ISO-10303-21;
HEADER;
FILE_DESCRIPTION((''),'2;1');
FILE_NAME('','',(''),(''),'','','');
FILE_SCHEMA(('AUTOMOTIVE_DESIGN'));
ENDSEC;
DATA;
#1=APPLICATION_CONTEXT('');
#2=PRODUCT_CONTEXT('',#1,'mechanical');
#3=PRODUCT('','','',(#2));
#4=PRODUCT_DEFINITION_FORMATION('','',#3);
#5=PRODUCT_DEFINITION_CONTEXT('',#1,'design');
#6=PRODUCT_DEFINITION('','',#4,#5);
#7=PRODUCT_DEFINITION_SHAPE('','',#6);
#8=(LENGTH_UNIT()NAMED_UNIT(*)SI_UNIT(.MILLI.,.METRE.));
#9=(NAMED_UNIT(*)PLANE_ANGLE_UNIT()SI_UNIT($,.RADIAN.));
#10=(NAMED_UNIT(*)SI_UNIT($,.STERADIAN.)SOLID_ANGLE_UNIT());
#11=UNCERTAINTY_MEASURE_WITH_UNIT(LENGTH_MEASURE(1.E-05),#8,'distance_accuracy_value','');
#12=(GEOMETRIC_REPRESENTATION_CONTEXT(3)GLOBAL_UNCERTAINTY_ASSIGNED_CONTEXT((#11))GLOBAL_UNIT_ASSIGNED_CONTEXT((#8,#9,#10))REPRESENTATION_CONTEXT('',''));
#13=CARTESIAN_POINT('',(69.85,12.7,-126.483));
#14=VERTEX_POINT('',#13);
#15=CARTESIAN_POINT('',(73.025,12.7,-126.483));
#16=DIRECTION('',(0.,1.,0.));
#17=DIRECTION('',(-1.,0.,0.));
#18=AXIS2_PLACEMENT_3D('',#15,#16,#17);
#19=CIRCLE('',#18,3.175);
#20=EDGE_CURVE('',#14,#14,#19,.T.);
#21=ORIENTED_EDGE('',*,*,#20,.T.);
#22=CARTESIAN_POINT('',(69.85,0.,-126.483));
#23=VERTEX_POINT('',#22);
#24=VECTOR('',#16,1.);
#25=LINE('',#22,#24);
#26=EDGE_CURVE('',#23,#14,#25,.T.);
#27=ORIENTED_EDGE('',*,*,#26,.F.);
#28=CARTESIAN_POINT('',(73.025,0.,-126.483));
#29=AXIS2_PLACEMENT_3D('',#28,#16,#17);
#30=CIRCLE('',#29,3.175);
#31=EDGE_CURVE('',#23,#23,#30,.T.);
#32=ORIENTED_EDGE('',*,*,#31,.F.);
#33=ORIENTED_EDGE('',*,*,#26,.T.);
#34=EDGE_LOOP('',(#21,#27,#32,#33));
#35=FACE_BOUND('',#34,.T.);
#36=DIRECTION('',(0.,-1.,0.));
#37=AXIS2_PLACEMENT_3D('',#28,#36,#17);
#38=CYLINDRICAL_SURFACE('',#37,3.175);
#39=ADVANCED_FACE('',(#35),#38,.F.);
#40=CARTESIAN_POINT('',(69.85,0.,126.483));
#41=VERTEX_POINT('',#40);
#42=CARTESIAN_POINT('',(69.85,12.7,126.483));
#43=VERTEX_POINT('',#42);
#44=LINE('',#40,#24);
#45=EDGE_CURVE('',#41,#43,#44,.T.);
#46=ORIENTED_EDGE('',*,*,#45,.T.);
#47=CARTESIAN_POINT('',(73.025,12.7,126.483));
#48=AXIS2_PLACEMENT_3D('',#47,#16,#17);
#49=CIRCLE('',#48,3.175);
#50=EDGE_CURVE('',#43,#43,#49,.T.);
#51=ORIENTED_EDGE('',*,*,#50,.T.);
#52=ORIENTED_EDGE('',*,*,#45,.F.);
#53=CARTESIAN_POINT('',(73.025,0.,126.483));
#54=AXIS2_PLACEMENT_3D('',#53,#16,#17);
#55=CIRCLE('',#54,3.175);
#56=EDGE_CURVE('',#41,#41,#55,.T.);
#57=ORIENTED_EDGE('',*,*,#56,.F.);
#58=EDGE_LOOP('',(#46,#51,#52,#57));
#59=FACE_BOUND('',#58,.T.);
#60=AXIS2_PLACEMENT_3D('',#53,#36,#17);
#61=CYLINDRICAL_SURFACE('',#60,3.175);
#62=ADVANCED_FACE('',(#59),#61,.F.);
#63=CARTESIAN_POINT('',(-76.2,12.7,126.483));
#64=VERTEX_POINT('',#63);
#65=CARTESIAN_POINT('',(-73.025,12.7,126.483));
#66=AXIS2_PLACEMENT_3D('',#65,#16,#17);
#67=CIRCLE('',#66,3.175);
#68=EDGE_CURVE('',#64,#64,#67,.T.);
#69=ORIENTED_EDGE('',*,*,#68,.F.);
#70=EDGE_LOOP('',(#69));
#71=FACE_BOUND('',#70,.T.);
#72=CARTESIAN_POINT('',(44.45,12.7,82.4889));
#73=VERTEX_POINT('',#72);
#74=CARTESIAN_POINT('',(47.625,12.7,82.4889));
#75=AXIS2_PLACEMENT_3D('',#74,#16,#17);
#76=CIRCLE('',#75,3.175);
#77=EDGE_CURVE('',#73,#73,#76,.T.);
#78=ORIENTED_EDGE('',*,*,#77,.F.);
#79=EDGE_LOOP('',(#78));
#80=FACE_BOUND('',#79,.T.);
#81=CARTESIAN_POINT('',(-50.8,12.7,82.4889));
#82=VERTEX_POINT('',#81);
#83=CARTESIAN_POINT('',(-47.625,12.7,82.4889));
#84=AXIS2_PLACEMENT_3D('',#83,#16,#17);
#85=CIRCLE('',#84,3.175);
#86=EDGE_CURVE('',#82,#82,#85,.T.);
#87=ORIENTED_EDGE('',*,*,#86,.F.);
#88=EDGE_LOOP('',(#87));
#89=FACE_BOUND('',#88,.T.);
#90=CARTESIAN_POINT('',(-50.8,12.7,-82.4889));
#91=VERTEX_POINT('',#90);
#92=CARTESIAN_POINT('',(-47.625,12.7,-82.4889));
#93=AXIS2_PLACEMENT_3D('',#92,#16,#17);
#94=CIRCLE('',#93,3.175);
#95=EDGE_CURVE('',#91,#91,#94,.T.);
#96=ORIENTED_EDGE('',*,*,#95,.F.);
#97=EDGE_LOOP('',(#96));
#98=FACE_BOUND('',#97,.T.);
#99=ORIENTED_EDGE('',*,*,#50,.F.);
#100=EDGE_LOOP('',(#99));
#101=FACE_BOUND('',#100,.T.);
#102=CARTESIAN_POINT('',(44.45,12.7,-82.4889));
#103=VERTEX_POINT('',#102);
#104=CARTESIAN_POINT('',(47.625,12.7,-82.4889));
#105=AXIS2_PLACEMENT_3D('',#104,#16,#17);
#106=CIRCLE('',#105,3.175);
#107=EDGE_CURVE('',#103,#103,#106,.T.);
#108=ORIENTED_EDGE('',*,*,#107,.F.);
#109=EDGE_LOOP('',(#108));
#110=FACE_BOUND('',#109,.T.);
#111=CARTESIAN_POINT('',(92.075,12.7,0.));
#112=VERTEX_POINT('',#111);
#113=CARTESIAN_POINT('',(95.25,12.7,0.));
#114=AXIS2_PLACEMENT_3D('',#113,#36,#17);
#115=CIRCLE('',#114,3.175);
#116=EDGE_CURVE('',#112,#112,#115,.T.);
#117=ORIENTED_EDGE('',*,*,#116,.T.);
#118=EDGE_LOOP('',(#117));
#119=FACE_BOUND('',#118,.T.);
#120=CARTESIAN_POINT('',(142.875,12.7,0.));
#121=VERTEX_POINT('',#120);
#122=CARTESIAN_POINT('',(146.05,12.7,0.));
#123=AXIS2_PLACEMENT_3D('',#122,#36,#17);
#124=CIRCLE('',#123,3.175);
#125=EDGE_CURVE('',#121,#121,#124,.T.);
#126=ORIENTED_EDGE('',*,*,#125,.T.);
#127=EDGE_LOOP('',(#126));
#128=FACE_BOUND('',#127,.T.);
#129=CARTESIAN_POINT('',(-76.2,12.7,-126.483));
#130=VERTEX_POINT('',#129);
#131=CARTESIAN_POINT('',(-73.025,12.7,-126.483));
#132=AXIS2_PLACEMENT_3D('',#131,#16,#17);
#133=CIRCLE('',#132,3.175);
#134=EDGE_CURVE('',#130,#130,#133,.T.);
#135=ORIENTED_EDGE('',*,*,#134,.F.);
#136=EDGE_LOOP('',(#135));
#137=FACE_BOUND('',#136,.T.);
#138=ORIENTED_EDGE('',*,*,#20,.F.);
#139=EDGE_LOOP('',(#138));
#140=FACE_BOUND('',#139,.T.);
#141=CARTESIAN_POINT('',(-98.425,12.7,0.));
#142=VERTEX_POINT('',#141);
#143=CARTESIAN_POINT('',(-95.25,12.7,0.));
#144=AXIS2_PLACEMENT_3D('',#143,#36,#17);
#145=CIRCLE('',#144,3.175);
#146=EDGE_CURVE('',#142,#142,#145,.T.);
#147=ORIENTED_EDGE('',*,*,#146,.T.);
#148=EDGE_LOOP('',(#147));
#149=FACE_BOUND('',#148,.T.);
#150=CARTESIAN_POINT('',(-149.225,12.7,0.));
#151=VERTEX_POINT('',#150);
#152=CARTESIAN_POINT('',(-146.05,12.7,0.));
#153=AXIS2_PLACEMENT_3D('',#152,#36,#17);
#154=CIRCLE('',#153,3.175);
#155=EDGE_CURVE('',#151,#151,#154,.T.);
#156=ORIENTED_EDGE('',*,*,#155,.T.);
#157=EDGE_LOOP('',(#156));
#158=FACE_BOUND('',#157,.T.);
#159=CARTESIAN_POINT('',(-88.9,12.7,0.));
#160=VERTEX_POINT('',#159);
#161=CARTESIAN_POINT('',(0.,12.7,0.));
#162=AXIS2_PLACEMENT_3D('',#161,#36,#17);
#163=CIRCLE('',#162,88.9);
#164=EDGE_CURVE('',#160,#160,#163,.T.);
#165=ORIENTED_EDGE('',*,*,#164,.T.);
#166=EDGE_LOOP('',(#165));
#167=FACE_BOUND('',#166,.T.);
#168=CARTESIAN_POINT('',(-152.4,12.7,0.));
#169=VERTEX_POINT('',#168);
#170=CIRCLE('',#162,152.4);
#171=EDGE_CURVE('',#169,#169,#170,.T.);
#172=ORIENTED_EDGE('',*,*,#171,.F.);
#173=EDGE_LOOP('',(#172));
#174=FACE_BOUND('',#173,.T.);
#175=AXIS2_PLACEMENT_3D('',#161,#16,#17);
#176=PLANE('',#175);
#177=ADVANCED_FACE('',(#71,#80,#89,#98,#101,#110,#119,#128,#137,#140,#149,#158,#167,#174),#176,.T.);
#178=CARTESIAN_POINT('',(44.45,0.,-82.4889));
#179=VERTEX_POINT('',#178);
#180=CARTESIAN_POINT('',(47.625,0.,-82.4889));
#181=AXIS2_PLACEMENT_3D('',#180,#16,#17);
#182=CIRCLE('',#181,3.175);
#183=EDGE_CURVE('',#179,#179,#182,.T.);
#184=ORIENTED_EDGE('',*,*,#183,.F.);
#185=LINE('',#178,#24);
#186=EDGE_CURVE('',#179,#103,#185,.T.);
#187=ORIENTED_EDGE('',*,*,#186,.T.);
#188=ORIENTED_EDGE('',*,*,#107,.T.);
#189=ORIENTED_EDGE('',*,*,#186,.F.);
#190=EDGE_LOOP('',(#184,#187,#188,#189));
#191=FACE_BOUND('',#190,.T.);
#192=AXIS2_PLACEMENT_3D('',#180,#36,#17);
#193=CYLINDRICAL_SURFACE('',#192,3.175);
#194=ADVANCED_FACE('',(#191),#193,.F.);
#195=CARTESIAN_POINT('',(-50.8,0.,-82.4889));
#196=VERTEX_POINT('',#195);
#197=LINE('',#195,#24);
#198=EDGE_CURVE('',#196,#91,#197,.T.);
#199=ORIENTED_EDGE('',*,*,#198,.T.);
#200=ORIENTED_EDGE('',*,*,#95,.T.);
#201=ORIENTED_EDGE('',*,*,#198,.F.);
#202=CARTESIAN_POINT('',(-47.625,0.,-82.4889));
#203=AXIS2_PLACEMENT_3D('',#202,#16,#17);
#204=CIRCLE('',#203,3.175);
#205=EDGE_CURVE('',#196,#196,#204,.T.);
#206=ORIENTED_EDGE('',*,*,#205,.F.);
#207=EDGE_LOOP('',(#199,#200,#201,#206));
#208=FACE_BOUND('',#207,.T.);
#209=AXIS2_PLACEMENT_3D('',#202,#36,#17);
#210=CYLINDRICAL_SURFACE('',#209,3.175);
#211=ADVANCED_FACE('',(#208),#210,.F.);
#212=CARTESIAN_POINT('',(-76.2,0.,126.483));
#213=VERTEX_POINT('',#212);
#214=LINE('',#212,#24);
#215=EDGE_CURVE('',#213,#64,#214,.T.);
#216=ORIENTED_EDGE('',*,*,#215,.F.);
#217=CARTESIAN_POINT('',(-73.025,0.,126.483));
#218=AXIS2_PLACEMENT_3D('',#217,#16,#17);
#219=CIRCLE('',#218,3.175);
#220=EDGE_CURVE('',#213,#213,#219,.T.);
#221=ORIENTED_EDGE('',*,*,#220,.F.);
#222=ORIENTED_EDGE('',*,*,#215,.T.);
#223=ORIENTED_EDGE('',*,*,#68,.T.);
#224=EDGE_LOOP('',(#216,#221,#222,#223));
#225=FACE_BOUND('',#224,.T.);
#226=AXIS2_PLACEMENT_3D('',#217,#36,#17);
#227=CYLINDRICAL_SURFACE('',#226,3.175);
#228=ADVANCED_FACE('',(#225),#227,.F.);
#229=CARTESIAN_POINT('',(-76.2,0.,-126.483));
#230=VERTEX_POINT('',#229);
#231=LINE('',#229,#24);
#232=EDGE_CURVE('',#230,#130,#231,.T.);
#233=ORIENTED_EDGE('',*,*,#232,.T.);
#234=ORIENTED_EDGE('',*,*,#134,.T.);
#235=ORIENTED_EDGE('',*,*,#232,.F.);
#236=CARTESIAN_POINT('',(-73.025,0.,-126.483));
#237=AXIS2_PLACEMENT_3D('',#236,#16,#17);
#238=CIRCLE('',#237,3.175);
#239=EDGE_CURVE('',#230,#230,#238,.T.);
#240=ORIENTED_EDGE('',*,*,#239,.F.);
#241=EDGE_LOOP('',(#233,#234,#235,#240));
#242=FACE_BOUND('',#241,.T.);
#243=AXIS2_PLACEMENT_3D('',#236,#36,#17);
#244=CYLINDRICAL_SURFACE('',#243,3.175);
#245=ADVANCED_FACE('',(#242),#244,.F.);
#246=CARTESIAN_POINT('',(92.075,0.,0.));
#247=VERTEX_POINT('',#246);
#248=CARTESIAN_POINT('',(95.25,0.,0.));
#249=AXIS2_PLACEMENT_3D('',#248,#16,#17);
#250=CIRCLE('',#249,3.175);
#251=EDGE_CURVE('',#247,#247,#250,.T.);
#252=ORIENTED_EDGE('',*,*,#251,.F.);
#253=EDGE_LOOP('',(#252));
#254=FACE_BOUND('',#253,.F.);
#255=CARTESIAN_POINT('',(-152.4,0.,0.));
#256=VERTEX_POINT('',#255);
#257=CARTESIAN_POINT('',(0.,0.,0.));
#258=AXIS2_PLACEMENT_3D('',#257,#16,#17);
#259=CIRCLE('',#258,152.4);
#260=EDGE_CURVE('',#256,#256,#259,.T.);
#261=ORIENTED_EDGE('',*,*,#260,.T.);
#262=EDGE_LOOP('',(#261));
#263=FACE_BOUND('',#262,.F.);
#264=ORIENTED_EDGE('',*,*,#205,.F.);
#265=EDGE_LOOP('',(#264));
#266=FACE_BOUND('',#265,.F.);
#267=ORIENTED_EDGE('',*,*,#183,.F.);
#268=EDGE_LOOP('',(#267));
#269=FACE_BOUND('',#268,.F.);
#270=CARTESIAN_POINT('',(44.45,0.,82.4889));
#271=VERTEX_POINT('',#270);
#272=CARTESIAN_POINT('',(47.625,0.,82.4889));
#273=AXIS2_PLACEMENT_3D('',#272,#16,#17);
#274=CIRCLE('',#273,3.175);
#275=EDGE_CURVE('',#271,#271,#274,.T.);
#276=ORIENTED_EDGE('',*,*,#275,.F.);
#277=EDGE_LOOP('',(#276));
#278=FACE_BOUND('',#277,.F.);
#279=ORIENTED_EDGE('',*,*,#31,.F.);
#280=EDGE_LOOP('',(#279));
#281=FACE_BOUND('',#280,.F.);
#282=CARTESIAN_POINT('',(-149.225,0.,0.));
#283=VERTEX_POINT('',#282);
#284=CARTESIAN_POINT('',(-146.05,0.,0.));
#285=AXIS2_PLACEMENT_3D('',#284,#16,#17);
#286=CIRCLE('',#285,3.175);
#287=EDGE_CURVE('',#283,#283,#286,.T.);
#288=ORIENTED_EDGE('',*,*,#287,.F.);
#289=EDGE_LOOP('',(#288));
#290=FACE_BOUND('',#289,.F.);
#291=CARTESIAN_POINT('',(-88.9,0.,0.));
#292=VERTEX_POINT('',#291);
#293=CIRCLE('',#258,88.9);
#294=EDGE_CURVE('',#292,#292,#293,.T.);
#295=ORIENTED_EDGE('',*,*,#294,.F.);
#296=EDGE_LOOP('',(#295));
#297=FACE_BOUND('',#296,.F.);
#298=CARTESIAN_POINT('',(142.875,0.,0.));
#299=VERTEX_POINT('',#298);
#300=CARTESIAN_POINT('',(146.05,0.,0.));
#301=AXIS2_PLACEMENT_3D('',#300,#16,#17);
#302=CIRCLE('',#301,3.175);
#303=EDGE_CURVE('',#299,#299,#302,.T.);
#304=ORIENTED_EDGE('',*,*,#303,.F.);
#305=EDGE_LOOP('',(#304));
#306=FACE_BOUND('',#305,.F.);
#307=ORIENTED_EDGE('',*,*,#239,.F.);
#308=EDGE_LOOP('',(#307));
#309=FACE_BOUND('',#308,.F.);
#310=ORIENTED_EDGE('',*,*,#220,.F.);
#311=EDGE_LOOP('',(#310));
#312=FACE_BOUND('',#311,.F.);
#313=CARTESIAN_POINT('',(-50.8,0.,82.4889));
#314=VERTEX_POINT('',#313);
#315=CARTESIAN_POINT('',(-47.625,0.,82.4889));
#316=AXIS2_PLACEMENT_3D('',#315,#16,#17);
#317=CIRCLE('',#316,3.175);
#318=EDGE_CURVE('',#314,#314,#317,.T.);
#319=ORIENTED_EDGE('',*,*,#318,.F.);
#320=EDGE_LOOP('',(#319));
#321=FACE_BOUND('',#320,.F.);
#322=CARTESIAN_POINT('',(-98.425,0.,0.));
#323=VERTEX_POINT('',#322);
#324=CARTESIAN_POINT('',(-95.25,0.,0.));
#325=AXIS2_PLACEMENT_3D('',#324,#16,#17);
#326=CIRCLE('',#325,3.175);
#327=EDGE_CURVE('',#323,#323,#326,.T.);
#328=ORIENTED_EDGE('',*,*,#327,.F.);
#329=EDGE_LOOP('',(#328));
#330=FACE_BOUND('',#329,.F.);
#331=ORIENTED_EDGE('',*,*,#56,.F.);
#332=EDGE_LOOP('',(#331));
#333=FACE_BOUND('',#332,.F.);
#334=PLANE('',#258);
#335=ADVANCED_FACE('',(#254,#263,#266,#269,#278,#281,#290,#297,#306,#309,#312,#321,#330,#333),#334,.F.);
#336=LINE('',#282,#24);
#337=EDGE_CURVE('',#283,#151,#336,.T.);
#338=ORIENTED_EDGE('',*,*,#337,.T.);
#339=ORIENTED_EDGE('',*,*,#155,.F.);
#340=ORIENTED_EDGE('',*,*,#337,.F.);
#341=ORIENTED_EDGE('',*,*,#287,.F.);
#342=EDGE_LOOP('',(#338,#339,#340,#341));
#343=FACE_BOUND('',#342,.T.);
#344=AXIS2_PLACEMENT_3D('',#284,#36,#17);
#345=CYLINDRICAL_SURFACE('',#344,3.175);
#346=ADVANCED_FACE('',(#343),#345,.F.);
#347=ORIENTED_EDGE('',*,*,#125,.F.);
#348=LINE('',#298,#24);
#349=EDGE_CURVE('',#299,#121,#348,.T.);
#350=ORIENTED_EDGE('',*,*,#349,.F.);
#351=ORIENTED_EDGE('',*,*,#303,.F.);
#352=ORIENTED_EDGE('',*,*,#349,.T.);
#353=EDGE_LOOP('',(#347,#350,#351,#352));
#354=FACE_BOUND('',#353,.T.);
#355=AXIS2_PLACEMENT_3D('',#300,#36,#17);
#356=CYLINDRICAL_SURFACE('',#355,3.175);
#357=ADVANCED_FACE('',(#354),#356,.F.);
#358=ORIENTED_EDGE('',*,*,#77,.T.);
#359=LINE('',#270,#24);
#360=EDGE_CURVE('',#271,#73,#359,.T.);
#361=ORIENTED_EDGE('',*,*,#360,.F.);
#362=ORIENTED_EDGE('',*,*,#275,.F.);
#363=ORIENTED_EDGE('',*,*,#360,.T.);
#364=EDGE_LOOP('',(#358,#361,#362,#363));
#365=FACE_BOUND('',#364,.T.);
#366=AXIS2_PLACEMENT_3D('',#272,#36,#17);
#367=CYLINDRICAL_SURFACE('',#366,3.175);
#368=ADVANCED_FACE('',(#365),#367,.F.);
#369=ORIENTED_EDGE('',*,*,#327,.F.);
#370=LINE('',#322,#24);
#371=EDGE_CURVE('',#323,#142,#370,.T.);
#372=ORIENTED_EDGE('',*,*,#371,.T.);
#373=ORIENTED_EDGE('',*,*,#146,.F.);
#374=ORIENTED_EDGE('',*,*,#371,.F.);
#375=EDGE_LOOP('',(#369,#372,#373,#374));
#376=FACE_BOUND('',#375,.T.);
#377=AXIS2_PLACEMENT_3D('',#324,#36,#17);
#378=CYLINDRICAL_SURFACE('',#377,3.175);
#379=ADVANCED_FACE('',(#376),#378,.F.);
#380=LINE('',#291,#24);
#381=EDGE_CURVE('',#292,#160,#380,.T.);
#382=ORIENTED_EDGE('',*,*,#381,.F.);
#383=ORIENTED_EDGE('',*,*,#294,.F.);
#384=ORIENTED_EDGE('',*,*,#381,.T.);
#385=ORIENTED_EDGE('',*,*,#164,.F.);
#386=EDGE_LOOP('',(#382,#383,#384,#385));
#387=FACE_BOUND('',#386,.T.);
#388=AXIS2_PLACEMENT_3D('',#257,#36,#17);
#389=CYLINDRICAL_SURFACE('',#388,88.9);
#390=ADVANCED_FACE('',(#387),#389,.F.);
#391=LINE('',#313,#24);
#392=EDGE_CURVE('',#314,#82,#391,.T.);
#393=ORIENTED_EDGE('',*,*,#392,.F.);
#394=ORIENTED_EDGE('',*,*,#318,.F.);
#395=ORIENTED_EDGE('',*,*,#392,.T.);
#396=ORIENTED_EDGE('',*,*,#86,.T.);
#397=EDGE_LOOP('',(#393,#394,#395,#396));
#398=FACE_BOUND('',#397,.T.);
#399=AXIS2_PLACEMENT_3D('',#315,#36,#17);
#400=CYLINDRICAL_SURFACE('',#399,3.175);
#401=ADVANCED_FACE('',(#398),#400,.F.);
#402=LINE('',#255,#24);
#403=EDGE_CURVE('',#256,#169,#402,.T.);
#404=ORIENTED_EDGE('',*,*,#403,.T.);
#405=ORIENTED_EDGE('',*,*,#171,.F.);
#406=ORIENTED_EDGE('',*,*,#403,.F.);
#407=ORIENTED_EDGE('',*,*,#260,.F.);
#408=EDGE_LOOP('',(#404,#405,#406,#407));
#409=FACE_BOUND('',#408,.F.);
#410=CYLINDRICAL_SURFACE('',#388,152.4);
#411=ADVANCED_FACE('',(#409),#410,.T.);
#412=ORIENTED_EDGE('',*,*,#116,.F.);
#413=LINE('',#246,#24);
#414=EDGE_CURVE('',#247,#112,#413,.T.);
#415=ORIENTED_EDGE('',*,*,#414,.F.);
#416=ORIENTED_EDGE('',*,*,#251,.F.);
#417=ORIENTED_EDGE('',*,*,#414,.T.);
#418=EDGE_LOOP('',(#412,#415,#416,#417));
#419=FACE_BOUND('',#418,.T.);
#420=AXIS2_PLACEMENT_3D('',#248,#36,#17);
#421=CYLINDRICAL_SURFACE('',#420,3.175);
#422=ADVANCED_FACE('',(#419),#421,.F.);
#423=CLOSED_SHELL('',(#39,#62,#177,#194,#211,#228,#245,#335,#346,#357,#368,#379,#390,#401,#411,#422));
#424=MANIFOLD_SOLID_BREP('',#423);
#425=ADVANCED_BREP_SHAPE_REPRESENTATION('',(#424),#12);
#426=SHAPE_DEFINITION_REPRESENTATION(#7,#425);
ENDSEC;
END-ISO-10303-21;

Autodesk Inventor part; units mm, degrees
ref_plane "YZ Plane" through (0, 0, 0) normal (1, 0, 0) x (0, 1, 0)
ref_plane "XZ Plane" through (0, 0, 0) normal (0, 1, 0) x (-1, 0, 0)
ref_plane "XY Plane" through (0, 0, 0) normal (0, 0, 1) x (1, 0, 0)
sketch "Sketch1" plane through (0, 0, 0) normal (0, 1, 0) x (-1, 0, 0)
  circle A0 centre (0, 0) radius 254
  circle A1 centre (0, 0) radius 279.4
  line L0 (0, 279.4) -> (0, -279.4)
  line L1 (-279.4, 0) -> (279.4, 0)
  line L2 (197.5656, -197.5656) -> (-197.5656, 197.5656)
  line L3 (197.5656, 197.5656) -> (-197.5656, -197.5656)
  line L4 (206.5459, -188.5854) -> (-188.5854, 206.5459)
  line L5 (188.5854, -206.5459) -> (-206.5459, 188.5854)
  line L6 (188.5854, 206.5459) -> (-206.5459, -188.5854)
  line L7 (206.5459, 188.5854) -> (-188.5854, -206.5459)
  circle A2 centre (0, 0) radius 152.4
  circle A3 centre (0, 0) radius 101.6
  circle A4 centre (0, 0) radius 88.9
  circle A5 centre (0, 0) radius 139.7
  circle A6 centre (146.05, 0) radius 3.175
  circle A7 centre (73.025, 126.483) radius 3.175
  circle A8 centre (-73.025, 126.483) radius 3.175
  circle A9 centre (-146.05, 0) radius 3.175
  circle A10 centre (-73.025, -126.483) radius 3.175
  circle A11 centre (73.025, -126.483) radius 3.175
  circle A12 centre (95.25, 0) radius 3.175
  circle A13 centre (47.625, 82.4889) radius 3.175
  circle A14 centre (-47.625, 82.4889) radius 3.175
  circle A15 centre (-95.25, 0) radius 3.175
  circle A16 centre (-47.625, -82.4889) radius 3.175
  circle A17 centre (47.625, -82.4889) radius 3.175
  circle A18 centre (0, 0) radius 284.48
  dimension "d0" = 508
  dimension "d1" = 25.4
  dimension "d2" = 45
  dimension "d3" = 0
  dimension "d4" = 0
  dimension "d5" = 45
  dimension "d6" = 12.7
  dimension "d7" = 12.7
  dimension "d8" = 12.7
  dimension "d9" = 12.7
  dimension "d10" = 304.8
  dimension "d11" = 203.2
  dimension "d12" = 177.8
  dimension "d13" = 12.7
  dimension "d14" = 6.35
  dimension "d15" = 146.05
  dimension "d18" = 360
  dimension "d20" = 6.35
  dimension "d21" = 95.25
  dimension "d24" = 360
  dimension "d26" = 5.08
extrude "Extrusion1" add sketch "Sketch1" along normal blind 12.7 contours A2 L4 A5 L1 A6 | L1 A6 A5 L7 A2 | L7 A5 L3 A2 | A2 L2 A5 L4 | L3 A5 L6 A2 | A5 L1 A3 L7 | L7 A3 L3 A5 | A2 L5 A5 L2 | A5 L2 A3 L4 | L4 A3 L1 A5 | L6 A5 L0 A2 | L3 A3 L6 A5 | A3 L1 A12 A4 L7 | L7 A4 L3 A3 | A2 L0 A5 L5 | A5 L5 A3 L2 | A3 L2 A4 L4 | L4 A4 L1 A12 A3 | L0 A5 L4 A2 | L6 A3 L0 A5 | L3 A4 L6 A3 | A2 L7 A5 L0 | A5 L0 A3 L5 | A3 L5 A4 L2 | L4 A5 L2 A2 | L0 A3 L4 A5 | L6 A4 L0 A3 | A2 L3 A5 L7 | A5 L7 A3 L0 | A3 L0 A4 L5 | L2 A5 L5 A2 | L4 A3 L2 A5 | L0 A4 L4 A3 | A2 L6 A5 L3 | A5 L3 A3 L7 | A3 L7 A4 L0 | L5 A5 L1 A9 A2 | L2 A3 L5 A5 | L4 A4 L2 A3 | A2 L1 A9 A5 L6 | A5 L6 A3 L3 | A3 L3 A4 L7 | L5 A3 L1 A5 | L2 A4 L5 A3 | A4 L6 A3 L1 A15 | L1 A15 A3 L5 A4 | A4 L3 A3 L6 | A5 L1 A3 L6
properties part number "Mock Bearing X1"
